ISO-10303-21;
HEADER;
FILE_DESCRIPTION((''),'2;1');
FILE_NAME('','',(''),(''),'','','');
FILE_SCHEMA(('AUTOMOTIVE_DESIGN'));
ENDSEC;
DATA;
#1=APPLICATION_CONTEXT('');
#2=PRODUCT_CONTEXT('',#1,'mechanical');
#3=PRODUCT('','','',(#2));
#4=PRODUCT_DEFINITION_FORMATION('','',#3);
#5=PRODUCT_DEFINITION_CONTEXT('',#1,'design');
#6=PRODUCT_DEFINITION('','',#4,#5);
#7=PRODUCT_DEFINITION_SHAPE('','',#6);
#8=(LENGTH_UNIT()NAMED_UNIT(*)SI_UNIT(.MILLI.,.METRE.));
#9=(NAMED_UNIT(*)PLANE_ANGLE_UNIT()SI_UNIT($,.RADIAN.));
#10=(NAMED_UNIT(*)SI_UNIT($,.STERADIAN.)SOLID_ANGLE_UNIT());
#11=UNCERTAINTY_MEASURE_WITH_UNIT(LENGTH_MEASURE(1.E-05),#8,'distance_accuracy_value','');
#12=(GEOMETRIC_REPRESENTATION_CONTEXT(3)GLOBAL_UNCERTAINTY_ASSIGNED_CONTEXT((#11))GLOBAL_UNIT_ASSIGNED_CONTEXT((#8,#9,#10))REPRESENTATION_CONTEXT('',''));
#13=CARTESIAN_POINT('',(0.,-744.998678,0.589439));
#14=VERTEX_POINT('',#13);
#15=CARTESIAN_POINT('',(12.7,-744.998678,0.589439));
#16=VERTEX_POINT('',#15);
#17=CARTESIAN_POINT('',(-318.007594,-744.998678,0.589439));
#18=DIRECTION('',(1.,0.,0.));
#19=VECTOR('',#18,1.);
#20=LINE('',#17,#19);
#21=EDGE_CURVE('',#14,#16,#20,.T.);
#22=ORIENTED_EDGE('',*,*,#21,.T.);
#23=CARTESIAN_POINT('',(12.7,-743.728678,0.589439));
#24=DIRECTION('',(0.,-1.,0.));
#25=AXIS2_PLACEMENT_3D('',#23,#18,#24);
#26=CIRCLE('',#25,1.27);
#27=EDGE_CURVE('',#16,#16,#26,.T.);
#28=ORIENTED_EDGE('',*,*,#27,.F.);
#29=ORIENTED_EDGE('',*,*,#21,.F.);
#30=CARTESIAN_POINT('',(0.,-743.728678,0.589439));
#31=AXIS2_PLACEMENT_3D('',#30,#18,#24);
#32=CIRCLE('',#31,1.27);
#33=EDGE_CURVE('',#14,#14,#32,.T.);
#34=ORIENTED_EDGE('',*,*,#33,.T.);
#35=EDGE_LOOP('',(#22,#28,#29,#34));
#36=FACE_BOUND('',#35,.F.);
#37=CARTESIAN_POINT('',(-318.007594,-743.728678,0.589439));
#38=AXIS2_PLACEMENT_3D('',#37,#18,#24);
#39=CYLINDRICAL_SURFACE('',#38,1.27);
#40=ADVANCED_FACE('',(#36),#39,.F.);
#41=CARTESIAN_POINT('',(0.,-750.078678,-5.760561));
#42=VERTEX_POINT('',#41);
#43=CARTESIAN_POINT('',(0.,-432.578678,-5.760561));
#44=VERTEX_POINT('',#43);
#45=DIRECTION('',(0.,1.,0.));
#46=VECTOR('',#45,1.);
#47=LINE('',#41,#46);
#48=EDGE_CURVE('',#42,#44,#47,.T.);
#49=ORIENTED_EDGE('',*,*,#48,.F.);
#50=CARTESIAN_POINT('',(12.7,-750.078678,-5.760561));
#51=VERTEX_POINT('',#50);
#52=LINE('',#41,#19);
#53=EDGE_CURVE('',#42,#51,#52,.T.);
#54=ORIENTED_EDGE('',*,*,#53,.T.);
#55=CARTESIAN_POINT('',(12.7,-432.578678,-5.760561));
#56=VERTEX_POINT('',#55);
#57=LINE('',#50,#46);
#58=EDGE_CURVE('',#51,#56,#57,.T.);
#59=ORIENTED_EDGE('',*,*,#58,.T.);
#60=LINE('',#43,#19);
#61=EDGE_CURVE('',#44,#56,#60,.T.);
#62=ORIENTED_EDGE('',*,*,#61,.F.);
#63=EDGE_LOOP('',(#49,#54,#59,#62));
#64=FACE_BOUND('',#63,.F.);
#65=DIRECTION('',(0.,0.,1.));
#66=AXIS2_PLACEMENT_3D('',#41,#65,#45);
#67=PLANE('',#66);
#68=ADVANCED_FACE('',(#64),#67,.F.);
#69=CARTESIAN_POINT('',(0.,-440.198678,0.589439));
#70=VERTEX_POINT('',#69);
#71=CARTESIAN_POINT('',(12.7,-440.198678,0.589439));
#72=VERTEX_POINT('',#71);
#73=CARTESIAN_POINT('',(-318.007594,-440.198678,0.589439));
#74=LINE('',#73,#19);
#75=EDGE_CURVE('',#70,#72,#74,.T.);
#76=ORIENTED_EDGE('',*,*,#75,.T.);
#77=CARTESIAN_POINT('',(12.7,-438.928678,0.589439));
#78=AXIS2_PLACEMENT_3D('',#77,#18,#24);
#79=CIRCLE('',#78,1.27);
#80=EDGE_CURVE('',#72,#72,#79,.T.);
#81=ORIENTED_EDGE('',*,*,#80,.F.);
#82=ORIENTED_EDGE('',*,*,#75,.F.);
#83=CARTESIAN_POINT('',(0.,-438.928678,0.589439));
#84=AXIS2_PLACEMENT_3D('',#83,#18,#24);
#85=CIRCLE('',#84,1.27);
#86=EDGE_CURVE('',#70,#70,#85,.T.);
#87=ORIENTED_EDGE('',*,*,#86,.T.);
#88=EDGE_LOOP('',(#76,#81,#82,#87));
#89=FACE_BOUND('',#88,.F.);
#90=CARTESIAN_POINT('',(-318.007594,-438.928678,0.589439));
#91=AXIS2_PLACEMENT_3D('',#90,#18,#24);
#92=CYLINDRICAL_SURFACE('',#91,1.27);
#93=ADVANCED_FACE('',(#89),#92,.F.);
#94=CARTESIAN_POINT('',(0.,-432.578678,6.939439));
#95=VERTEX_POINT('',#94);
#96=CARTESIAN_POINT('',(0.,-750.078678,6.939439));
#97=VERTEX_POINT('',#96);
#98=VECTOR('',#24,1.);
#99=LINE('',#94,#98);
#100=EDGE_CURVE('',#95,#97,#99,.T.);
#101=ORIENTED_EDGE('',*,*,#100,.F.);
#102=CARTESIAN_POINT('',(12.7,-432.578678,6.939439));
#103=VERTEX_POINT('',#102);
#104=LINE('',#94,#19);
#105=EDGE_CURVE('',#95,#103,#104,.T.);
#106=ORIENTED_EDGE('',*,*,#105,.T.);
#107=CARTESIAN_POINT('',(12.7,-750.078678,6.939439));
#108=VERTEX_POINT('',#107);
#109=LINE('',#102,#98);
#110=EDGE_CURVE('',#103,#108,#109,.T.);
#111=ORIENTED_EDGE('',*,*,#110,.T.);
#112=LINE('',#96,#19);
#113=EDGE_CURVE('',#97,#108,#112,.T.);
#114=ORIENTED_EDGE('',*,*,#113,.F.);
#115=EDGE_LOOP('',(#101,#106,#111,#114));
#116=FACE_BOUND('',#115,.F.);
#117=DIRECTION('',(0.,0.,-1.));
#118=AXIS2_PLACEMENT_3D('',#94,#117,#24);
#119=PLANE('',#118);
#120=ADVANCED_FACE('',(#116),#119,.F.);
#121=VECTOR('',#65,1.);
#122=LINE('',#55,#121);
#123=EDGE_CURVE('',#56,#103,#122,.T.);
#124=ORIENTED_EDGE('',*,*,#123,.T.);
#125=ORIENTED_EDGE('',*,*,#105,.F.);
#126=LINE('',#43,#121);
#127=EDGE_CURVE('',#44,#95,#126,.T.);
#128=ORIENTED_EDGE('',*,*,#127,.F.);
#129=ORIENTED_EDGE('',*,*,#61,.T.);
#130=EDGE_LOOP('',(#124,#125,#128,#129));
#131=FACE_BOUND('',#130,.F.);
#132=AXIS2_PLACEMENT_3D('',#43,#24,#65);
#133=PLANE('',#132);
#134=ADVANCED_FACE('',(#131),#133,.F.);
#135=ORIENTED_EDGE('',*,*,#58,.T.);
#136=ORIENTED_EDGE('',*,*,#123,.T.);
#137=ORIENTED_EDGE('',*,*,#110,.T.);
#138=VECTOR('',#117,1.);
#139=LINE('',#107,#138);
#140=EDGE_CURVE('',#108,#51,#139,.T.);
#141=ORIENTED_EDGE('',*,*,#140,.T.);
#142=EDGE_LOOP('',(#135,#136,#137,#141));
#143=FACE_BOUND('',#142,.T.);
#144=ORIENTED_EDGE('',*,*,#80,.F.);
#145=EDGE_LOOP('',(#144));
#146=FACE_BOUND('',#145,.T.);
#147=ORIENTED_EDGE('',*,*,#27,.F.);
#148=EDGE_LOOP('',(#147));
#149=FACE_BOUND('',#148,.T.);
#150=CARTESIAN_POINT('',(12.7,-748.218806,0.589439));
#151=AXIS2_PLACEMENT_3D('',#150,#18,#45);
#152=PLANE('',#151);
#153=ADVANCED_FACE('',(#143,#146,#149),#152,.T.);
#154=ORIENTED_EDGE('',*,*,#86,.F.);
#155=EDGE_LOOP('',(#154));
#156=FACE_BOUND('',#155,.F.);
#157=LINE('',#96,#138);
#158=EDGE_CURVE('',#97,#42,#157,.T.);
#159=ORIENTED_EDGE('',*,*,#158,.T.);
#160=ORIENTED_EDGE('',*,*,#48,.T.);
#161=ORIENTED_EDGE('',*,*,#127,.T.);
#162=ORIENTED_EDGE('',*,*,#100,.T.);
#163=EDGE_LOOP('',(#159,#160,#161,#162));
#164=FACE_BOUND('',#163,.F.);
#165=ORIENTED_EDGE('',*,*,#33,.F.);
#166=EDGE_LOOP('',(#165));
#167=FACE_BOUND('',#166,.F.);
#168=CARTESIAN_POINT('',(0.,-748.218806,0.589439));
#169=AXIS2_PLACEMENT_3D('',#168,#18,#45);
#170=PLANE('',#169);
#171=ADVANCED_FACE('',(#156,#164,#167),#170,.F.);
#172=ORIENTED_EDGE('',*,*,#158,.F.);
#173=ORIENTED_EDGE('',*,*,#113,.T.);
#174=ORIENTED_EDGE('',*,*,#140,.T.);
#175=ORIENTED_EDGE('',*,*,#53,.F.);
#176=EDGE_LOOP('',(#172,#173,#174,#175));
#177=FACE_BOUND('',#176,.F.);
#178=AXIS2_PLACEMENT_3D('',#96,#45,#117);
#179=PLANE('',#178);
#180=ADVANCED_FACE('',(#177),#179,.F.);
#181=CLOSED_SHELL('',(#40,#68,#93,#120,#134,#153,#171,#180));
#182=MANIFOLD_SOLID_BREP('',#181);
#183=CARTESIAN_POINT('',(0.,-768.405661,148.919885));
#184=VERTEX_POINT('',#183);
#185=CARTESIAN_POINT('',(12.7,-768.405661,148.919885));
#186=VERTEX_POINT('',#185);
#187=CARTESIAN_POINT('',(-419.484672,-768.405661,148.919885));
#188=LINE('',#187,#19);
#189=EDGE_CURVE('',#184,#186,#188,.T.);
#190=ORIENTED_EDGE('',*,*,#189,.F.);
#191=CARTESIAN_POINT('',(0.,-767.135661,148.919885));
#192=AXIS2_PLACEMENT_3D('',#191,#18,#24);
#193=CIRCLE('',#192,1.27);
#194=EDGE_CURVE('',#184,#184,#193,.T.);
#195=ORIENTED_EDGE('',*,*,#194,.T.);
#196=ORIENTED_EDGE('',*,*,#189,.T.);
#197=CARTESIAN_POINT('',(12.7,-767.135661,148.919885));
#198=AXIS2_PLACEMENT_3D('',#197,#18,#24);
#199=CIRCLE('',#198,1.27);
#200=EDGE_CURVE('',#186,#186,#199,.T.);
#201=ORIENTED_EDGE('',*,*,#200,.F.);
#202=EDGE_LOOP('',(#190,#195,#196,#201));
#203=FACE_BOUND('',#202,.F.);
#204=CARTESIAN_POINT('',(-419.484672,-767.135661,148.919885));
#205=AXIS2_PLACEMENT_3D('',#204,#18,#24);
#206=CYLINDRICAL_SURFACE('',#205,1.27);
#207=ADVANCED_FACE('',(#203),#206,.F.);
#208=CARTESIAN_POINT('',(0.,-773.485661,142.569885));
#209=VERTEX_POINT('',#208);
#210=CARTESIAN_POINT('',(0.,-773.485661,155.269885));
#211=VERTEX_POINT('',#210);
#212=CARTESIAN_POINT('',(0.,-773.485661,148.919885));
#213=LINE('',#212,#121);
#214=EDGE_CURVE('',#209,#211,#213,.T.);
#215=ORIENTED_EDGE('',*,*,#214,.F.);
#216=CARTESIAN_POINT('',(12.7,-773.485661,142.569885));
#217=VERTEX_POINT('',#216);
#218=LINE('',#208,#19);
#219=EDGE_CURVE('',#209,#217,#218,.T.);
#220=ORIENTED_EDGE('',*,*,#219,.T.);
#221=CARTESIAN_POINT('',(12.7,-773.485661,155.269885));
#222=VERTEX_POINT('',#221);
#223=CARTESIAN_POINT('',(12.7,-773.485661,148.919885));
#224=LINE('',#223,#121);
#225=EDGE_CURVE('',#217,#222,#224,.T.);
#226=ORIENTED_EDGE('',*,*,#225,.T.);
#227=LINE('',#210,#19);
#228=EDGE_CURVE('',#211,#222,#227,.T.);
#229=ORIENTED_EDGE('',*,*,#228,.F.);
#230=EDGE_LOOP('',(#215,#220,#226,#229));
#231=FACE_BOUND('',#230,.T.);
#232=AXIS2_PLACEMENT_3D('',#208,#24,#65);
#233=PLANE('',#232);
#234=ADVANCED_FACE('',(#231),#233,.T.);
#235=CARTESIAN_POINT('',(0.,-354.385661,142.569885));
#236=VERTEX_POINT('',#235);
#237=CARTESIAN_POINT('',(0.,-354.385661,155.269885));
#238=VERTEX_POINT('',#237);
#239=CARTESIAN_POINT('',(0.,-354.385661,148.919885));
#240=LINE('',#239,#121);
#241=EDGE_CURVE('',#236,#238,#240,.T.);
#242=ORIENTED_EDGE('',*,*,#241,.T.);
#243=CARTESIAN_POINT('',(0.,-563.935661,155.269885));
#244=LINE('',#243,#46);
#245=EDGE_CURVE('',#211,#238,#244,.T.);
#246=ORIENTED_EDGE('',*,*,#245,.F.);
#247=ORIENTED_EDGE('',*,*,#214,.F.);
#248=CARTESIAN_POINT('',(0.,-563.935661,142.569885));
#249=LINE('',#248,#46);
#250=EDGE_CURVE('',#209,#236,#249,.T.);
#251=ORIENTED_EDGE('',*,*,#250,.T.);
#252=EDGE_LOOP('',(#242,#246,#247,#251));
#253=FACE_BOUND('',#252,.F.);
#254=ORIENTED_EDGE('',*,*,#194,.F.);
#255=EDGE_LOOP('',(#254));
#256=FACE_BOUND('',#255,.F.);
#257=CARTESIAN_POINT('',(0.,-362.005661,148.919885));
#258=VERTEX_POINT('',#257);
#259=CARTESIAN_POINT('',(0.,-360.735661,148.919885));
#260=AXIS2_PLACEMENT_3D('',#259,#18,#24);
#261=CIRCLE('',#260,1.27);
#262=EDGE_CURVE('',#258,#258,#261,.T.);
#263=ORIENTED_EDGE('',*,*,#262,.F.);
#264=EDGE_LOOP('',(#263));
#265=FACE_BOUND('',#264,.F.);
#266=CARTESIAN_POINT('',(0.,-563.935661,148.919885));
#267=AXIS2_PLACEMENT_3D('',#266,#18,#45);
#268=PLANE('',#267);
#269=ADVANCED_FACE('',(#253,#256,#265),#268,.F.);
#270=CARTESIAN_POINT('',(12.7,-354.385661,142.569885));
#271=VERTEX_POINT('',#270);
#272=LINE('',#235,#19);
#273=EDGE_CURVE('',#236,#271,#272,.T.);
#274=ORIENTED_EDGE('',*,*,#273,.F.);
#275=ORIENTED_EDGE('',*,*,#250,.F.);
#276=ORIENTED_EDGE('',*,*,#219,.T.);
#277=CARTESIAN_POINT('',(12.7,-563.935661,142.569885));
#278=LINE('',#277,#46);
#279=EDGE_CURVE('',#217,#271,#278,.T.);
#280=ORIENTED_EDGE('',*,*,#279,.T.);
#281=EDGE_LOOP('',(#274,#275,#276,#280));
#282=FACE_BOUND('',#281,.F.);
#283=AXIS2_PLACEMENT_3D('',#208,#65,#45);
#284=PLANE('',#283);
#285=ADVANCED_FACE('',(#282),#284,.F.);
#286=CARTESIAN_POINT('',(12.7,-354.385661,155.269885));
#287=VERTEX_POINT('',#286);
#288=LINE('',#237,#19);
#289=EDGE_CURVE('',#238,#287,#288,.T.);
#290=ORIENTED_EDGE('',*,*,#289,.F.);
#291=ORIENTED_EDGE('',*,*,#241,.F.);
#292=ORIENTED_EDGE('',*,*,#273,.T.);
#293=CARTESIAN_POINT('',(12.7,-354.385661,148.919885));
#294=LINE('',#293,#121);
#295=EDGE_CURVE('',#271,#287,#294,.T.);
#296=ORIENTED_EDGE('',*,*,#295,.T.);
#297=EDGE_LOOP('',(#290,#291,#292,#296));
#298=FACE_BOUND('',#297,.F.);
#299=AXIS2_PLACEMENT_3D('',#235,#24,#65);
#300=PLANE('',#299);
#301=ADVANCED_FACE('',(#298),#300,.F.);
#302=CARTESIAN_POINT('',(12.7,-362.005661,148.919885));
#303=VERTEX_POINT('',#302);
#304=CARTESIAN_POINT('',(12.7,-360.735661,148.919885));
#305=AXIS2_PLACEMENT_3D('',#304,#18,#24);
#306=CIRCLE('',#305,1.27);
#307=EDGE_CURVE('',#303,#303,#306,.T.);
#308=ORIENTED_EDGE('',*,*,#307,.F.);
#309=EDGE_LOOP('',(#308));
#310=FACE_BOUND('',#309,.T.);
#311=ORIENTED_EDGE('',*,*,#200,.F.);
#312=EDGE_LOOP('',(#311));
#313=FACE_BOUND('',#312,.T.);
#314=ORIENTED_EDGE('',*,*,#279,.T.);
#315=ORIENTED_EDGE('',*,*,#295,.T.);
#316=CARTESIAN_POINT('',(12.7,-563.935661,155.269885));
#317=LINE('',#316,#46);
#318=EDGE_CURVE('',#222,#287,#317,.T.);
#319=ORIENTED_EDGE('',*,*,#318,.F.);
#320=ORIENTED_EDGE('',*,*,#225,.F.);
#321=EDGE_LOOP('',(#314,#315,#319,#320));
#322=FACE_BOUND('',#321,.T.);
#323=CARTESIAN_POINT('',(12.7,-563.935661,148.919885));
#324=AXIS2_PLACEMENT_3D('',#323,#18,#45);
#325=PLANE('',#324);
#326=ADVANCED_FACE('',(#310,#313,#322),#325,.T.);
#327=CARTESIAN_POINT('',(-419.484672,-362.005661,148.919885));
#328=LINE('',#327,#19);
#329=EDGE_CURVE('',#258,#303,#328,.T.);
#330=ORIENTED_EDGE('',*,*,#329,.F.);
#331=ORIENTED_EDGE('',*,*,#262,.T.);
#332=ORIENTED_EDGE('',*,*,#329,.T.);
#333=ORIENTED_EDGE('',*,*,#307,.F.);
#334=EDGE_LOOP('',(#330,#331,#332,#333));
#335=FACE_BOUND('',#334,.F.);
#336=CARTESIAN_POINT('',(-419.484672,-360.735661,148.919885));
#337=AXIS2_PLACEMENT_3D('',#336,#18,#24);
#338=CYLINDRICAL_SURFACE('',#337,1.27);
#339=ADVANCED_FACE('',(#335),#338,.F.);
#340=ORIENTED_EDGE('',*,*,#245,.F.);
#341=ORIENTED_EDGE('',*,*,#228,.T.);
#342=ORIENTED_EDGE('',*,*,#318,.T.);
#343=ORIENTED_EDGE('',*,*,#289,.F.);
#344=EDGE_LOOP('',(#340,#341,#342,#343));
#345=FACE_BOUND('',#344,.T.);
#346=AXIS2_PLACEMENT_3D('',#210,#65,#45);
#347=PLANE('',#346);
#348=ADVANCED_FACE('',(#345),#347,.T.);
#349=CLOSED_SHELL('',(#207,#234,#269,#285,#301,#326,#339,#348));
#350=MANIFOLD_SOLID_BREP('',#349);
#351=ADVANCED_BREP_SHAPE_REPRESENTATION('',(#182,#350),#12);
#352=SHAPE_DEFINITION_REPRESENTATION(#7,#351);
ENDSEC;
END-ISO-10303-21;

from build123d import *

# Parameters (mm, degrees)
F0_W     = 419.1
F0_H     = 12.7
F1_DEPTH = 12.7
F0_W_2   = 292.1
F2_D     = 2.54
F3_D     = 2.54
F4_D     = 2.54


with BuildPart() as f1:
    # F0 (on Right) → F1 (new body)
    with BuildSketch(Plane.YZ):
        with Locations((-563.935660553, 148.9198846579)):
            Rectangle(F0_W, F0_H)
    extrude(amount=F1_DEPTH)

    # F2 (through all)
    with Locations(Plane(origin=(0, 0, 0), x_dir=(0, 1, 0), z_dir=(-1, 0, 0))):
        with Locations((-360.735660553, -148.9198846579)):
            Hole(F2_D / 2)

    # F3 (through all)
    with Locations(Plane(origin=(0, 0, 0), x_dir=(0, 1, 0), z_dir=(-1, 0, 0))):
        with Locations((-767.135660553, -148.9198846579)):
            Hole(F3_D / 2)


with BuildPart() as f1b:
    # F0 (on Right) → F1, piece 2 (new body)
    with BuildSketch(Plane.YZ):
        Polygon((-743.7286781311, 0.5894386373), (-750.0786781311, 6.9394386373), (-750.0786781311, -5.7605613627), align=None)
        Polygon((-737.3786781311, 6.9394386373), (-750.0786781311, 6.9394386373), (-743.7286781311, 0.5894386373), align=None)
        with Locations((-591.3286781311, 0.5894386373)):
            Rectangle(F0_W_2, F0_H)
        Polygon((-737.3786781311, -5.7605613627), (-737.3786781311, 6.9394386373), (-743.7286781311, 0.5894386373), align=None)
        Polygon((-743.7286781311, 0.5894386373), (-750.0786781311, -5.7605613627), (-737.3786781311, -5.7605613627), align=None)
        Polygon((-438.9286781311, 0.5894386373), (-445.2786781311, 6.9394386373), (-445.2786781311, -5.7605613627), align=None)
        Polygon((-432.5786781311, 6.9394386373), (-445.2786781311, 6.9394386373), (-438.9286781311, 0.5894386373), align=None)
        Polygon((-432.5786781311, -5.7605613627), (-432.5786781311, 6.9394386373), (-438.9286781311, 0.5894386373), align=None)
        Polygon((-438.9286781311, 0.5894386373), (-445.2786781311, -5.7605613627), (-432.5786781311, -5.7605613627), align=None)
    extrude(amount=F1_DEPTH)

    # F4 (through all)
    with Locations(Plane(origin=(0, 0, 0), x_dir=(0, 1, 0), z_dir=(-1, 0, 0))):
        with Locations((-743.7286781311, -0.5894386373), (-438.9286781311, -0.5894386373)):
            Hole(F4_D / 2)


solid = Compound([f1.part, f1b.part])
